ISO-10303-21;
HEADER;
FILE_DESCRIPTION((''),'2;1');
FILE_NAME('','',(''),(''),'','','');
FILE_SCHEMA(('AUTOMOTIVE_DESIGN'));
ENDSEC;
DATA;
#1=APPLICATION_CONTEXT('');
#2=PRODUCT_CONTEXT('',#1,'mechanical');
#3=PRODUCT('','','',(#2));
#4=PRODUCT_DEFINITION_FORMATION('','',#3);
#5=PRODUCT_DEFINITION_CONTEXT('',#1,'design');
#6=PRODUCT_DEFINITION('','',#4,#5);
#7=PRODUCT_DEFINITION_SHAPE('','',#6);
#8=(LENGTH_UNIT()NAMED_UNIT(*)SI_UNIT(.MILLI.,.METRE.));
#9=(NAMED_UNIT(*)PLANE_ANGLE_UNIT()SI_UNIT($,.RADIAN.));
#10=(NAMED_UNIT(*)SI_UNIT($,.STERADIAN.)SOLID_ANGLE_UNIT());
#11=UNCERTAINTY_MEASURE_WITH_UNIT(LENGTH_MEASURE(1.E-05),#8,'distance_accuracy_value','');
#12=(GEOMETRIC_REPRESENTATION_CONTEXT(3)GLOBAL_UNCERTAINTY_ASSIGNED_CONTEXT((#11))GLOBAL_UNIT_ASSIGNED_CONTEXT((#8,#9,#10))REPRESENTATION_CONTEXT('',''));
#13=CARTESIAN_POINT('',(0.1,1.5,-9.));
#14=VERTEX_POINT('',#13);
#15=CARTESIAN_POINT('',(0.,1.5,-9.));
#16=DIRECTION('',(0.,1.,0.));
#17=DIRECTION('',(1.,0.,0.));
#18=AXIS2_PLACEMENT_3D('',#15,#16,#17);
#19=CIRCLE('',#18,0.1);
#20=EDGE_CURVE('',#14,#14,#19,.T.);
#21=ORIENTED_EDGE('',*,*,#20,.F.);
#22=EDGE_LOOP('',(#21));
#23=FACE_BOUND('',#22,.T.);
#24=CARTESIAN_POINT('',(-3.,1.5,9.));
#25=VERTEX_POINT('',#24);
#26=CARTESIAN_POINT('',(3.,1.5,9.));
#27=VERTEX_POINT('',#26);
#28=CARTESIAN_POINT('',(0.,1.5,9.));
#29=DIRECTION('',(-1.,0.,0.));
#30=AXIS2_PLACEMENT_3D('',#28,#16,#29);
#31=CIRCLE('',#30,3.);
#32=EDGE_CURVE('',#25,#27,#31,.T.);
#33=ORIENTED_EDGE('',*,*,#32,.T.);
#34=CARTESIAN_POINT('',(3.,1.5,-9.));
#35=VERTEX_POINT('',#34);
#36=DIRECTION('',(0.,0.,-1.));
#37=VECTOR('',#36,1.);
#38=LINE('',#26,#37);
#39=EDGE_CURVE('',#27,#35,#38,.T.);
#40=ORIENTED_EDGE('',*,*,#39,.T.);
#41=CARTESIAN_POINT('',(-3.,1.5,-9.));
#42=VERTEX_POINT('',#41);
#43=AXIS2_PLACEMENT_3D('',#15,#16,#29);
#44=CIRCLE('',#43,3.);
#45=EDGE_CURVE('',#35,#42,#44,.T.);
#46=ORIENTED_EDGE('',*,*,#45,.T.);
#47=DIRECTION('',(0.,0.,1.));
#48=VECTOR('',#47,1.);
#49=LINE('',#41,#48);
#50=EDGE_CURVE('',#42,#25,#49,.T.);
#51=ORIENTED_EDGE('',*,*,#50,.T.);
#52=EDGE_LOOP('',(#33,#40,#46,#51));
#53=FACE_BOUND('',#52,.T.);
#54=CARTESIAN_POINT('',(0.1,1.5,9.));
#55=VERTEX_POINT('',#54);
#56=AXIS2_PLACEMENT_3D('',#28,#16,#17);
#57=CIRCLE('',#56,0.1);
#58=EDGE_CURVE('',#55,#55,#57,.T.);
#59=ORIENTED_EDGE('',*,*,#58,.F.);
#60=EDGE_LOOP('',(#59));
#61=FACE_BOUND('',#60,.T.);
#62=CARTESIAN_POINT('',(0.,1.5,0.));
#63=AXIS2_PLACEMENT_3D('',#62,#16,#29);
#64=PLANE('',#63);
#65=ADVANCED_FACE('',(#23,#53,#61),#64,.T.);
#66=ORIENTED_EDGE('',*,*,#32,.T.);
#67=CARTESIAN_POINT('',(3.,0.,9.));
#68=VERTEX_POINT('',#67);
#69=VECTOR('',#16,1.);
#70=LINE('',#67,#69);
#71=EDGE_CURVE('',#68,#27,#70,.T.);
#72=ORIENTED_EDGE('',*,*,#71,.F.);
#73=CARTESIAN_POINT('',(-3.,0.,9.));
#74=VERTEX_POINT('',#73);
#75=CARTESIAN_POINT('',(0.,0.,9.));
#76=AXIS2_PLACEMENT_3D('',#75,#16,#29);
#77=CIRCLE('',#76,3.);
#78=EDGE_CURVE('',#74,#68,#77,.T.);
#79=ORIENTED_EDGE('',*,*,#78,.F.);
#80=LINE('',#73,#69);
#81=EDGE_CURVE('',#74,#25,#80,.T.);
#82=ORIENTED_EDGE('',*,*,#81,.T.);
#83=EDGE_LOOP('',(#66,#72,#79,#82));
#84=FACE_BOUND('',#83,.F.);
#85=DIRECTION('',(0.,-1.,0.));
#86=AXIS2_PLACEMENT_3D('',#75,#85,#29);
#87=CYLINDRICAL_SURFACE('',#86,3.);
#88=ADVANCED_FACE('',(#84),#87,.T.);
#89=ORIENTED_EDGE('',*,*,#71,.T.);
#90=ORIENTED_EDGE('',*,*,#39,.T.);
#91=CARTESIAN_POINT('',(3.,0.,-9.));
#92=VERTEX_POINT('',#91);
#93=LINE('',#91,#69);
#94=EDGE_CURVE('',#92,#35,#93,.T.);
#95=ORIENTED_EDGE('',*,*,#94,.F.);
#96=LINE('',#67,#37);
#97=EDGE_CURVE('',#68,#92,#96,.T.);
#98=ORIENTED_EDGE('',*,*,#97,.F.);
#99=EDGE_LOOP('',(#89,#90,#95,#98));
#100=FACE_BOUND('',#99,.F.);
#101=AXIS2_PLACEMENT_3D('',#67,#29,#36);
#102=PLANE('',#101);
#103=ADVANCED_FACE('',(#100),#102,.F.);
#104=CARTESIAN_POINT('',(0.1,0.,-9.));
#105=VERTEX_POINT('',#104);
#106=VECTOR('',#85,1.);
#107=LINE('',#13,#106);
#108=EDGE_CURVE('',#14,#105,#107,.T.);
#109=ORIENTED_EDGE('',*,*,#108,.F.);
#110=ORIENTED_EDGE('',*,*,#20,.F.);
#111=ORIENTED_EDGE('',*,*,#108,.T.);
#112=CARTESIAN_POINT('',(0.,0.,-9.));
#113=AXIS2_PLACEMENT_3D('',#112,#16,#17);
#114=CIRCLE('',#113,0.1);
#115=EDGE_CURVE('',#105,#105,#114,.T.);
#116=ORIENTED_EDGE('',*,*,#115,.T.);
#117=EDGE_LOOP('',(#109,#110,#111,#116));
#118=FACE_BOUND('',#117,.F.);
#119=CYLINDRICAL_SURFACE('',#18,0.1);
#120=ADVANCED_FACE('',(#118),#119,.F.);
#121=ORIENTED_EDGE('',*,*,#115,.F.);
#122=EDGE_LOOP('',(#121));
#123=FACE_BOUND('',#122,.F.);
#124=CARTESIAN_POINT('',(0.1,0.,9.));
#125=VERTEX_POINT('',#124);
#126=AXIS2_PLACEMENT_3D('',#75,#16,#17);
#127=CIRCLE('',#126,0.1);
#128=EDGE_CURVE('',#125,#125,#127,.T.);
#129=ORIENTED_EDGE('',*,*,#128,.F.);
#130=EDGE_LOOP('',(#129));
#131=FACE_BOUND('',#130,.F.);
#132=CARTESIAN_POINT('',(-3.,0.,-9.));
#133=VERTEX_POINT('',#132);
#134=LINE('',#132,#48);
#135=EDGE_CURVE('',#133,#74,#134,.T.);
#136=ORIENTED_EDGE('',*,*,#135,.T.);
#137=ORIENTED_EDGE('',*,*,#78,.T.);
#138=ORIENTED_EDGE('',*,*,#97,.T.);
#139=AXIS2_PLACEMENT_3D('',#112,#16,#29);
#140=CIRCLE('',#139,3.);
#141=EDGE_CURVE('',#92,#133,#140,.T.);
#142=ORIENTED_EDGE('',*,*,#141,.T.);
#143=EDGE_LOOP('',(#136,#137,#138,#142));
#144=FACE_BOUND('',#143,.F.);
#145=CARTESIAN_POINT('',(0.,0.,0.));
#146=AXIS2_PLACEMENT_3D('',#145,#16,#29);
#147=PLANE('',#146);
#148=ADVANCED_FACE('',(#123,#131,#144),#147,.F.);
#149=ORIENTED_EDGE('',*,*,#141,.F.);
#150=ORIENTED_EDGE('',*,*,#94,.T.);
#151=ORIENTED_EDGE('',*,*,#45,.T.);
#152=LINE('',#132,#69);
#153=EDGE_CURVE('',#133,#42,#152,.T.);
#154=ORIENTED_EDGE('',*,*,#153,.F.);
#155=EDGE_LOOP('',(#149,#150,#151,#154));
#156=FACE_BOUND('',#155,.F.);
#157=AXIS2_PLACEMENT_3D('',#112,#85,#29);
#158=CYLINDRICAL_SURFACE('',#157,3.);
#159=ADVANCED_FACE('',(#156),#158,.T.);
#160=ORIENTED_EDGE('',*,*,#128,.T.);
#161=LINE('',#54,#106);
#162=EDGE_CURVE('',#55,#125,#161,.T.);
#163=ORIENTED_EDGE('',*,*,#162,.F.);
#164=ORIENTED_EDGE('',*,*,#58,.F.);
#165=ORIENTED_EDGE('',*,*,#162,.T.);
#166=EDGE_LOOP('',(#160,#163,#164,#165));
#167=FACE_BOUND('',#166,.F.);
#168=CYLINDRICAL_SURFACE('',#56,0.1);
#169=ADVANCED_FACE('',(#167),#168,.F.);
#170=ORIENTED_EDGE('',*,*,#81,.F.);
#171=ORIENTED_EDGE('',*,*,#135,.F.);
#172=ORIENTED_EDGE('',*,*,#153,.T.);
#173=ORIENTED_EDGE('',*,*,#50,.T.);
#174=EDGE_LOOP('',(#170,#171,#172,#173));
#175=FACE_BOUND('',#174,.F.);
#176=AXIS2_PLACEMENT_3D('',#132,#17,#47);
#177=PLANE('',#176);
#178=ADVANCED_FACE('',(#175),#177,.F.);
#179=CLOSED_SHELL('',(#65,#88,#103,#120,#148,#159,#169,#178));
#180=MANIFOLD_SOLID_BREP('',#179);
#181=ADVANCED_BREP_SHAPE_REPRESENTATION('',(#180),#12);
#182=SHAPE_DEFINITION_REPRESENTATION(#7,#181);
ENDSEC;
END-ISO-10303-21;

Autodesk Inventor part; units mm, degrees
ref_plane "YZ Plane" through (0, 0, 0) normal (1, 0, 0) x (0, 1, 0)
ref_plane "XZ Plane" through (0, 0, 0) normal (0, 1, 0) x (-1, 0, 0)
ref_plane "XY Plane" through (0, 0, 0) normal (0, 0, 1) x (1, 0, 0)
sketch "Sketch1" plane through (0, 0, 0) normal (0, 1, 0) x (-1, 0, 0)
  line L0 (-3, -9) -> (3, -9)
  line L1 (3, -9) -> (3, 9)
  line L2 (3, 9) -> (-3, 9)
  line L3 (-3, 9) -> (-3, -9)
  line L4 (-3, -9) -> (3, 9) construction
  line L5 (3, -9) -> (-3, 9) construction
  circle A0 centre (0, -9) radius 3
  circle A1 centre (0, 9) radius 3
  point P0 (0, 0)
  dimension "d0" = 6
  dimension "d1" = 18
  dimension "d2" = 6
extrude "Extrusion1" add sketch "Sketch1" along normal blind 1.5
sketch "Sketch2" plane through (0, 1.5, 0) normal (0, 1, 0) x (1, 0, 0)
  arc A0 (-3, -9) -> (3, -9) centre (0, -9) ccw projected
  arc A1 (3, 9) -> (-3, 9) centre (0, 9) ccw projected
  circle A2 centre (0, 9) radius 1.5
  circle A3 centre (0, -9) radius 1.5
  point P0 (0, 0)
  dimension "d5" = 3
  dimension "d6" = 3
extrude "Extrusion2" cut sketch "Sketch2" against normal blind 2
sketch "Sketch7" plane through (0, 1.5, 0) normal (0, 1, 0) x (1, 0, 0)
  circle A0 centre (0, 9) radius 1.5 projected
  circle A1 centre (0, -9) radius 1.5 projected
  arc A2 (-3, -9) -> (3, -9) centre (0, -9) ccw projected
  arc A3 (3, 9) -> (-3, 9) centre (0, 9) ccw projected
  circle A4 centre (0, 9) radius 0.1
  circle A5 centre (0, -9) radius 0.1
  point P0 (0, 0)
  dimension "d13" = 0.2
  dimension "d14" = 0.2
extrude "Extrusion3" add sketch "Sketch7" against normal blind 1.5
properties part number "ruka_tahlo_sablona"
